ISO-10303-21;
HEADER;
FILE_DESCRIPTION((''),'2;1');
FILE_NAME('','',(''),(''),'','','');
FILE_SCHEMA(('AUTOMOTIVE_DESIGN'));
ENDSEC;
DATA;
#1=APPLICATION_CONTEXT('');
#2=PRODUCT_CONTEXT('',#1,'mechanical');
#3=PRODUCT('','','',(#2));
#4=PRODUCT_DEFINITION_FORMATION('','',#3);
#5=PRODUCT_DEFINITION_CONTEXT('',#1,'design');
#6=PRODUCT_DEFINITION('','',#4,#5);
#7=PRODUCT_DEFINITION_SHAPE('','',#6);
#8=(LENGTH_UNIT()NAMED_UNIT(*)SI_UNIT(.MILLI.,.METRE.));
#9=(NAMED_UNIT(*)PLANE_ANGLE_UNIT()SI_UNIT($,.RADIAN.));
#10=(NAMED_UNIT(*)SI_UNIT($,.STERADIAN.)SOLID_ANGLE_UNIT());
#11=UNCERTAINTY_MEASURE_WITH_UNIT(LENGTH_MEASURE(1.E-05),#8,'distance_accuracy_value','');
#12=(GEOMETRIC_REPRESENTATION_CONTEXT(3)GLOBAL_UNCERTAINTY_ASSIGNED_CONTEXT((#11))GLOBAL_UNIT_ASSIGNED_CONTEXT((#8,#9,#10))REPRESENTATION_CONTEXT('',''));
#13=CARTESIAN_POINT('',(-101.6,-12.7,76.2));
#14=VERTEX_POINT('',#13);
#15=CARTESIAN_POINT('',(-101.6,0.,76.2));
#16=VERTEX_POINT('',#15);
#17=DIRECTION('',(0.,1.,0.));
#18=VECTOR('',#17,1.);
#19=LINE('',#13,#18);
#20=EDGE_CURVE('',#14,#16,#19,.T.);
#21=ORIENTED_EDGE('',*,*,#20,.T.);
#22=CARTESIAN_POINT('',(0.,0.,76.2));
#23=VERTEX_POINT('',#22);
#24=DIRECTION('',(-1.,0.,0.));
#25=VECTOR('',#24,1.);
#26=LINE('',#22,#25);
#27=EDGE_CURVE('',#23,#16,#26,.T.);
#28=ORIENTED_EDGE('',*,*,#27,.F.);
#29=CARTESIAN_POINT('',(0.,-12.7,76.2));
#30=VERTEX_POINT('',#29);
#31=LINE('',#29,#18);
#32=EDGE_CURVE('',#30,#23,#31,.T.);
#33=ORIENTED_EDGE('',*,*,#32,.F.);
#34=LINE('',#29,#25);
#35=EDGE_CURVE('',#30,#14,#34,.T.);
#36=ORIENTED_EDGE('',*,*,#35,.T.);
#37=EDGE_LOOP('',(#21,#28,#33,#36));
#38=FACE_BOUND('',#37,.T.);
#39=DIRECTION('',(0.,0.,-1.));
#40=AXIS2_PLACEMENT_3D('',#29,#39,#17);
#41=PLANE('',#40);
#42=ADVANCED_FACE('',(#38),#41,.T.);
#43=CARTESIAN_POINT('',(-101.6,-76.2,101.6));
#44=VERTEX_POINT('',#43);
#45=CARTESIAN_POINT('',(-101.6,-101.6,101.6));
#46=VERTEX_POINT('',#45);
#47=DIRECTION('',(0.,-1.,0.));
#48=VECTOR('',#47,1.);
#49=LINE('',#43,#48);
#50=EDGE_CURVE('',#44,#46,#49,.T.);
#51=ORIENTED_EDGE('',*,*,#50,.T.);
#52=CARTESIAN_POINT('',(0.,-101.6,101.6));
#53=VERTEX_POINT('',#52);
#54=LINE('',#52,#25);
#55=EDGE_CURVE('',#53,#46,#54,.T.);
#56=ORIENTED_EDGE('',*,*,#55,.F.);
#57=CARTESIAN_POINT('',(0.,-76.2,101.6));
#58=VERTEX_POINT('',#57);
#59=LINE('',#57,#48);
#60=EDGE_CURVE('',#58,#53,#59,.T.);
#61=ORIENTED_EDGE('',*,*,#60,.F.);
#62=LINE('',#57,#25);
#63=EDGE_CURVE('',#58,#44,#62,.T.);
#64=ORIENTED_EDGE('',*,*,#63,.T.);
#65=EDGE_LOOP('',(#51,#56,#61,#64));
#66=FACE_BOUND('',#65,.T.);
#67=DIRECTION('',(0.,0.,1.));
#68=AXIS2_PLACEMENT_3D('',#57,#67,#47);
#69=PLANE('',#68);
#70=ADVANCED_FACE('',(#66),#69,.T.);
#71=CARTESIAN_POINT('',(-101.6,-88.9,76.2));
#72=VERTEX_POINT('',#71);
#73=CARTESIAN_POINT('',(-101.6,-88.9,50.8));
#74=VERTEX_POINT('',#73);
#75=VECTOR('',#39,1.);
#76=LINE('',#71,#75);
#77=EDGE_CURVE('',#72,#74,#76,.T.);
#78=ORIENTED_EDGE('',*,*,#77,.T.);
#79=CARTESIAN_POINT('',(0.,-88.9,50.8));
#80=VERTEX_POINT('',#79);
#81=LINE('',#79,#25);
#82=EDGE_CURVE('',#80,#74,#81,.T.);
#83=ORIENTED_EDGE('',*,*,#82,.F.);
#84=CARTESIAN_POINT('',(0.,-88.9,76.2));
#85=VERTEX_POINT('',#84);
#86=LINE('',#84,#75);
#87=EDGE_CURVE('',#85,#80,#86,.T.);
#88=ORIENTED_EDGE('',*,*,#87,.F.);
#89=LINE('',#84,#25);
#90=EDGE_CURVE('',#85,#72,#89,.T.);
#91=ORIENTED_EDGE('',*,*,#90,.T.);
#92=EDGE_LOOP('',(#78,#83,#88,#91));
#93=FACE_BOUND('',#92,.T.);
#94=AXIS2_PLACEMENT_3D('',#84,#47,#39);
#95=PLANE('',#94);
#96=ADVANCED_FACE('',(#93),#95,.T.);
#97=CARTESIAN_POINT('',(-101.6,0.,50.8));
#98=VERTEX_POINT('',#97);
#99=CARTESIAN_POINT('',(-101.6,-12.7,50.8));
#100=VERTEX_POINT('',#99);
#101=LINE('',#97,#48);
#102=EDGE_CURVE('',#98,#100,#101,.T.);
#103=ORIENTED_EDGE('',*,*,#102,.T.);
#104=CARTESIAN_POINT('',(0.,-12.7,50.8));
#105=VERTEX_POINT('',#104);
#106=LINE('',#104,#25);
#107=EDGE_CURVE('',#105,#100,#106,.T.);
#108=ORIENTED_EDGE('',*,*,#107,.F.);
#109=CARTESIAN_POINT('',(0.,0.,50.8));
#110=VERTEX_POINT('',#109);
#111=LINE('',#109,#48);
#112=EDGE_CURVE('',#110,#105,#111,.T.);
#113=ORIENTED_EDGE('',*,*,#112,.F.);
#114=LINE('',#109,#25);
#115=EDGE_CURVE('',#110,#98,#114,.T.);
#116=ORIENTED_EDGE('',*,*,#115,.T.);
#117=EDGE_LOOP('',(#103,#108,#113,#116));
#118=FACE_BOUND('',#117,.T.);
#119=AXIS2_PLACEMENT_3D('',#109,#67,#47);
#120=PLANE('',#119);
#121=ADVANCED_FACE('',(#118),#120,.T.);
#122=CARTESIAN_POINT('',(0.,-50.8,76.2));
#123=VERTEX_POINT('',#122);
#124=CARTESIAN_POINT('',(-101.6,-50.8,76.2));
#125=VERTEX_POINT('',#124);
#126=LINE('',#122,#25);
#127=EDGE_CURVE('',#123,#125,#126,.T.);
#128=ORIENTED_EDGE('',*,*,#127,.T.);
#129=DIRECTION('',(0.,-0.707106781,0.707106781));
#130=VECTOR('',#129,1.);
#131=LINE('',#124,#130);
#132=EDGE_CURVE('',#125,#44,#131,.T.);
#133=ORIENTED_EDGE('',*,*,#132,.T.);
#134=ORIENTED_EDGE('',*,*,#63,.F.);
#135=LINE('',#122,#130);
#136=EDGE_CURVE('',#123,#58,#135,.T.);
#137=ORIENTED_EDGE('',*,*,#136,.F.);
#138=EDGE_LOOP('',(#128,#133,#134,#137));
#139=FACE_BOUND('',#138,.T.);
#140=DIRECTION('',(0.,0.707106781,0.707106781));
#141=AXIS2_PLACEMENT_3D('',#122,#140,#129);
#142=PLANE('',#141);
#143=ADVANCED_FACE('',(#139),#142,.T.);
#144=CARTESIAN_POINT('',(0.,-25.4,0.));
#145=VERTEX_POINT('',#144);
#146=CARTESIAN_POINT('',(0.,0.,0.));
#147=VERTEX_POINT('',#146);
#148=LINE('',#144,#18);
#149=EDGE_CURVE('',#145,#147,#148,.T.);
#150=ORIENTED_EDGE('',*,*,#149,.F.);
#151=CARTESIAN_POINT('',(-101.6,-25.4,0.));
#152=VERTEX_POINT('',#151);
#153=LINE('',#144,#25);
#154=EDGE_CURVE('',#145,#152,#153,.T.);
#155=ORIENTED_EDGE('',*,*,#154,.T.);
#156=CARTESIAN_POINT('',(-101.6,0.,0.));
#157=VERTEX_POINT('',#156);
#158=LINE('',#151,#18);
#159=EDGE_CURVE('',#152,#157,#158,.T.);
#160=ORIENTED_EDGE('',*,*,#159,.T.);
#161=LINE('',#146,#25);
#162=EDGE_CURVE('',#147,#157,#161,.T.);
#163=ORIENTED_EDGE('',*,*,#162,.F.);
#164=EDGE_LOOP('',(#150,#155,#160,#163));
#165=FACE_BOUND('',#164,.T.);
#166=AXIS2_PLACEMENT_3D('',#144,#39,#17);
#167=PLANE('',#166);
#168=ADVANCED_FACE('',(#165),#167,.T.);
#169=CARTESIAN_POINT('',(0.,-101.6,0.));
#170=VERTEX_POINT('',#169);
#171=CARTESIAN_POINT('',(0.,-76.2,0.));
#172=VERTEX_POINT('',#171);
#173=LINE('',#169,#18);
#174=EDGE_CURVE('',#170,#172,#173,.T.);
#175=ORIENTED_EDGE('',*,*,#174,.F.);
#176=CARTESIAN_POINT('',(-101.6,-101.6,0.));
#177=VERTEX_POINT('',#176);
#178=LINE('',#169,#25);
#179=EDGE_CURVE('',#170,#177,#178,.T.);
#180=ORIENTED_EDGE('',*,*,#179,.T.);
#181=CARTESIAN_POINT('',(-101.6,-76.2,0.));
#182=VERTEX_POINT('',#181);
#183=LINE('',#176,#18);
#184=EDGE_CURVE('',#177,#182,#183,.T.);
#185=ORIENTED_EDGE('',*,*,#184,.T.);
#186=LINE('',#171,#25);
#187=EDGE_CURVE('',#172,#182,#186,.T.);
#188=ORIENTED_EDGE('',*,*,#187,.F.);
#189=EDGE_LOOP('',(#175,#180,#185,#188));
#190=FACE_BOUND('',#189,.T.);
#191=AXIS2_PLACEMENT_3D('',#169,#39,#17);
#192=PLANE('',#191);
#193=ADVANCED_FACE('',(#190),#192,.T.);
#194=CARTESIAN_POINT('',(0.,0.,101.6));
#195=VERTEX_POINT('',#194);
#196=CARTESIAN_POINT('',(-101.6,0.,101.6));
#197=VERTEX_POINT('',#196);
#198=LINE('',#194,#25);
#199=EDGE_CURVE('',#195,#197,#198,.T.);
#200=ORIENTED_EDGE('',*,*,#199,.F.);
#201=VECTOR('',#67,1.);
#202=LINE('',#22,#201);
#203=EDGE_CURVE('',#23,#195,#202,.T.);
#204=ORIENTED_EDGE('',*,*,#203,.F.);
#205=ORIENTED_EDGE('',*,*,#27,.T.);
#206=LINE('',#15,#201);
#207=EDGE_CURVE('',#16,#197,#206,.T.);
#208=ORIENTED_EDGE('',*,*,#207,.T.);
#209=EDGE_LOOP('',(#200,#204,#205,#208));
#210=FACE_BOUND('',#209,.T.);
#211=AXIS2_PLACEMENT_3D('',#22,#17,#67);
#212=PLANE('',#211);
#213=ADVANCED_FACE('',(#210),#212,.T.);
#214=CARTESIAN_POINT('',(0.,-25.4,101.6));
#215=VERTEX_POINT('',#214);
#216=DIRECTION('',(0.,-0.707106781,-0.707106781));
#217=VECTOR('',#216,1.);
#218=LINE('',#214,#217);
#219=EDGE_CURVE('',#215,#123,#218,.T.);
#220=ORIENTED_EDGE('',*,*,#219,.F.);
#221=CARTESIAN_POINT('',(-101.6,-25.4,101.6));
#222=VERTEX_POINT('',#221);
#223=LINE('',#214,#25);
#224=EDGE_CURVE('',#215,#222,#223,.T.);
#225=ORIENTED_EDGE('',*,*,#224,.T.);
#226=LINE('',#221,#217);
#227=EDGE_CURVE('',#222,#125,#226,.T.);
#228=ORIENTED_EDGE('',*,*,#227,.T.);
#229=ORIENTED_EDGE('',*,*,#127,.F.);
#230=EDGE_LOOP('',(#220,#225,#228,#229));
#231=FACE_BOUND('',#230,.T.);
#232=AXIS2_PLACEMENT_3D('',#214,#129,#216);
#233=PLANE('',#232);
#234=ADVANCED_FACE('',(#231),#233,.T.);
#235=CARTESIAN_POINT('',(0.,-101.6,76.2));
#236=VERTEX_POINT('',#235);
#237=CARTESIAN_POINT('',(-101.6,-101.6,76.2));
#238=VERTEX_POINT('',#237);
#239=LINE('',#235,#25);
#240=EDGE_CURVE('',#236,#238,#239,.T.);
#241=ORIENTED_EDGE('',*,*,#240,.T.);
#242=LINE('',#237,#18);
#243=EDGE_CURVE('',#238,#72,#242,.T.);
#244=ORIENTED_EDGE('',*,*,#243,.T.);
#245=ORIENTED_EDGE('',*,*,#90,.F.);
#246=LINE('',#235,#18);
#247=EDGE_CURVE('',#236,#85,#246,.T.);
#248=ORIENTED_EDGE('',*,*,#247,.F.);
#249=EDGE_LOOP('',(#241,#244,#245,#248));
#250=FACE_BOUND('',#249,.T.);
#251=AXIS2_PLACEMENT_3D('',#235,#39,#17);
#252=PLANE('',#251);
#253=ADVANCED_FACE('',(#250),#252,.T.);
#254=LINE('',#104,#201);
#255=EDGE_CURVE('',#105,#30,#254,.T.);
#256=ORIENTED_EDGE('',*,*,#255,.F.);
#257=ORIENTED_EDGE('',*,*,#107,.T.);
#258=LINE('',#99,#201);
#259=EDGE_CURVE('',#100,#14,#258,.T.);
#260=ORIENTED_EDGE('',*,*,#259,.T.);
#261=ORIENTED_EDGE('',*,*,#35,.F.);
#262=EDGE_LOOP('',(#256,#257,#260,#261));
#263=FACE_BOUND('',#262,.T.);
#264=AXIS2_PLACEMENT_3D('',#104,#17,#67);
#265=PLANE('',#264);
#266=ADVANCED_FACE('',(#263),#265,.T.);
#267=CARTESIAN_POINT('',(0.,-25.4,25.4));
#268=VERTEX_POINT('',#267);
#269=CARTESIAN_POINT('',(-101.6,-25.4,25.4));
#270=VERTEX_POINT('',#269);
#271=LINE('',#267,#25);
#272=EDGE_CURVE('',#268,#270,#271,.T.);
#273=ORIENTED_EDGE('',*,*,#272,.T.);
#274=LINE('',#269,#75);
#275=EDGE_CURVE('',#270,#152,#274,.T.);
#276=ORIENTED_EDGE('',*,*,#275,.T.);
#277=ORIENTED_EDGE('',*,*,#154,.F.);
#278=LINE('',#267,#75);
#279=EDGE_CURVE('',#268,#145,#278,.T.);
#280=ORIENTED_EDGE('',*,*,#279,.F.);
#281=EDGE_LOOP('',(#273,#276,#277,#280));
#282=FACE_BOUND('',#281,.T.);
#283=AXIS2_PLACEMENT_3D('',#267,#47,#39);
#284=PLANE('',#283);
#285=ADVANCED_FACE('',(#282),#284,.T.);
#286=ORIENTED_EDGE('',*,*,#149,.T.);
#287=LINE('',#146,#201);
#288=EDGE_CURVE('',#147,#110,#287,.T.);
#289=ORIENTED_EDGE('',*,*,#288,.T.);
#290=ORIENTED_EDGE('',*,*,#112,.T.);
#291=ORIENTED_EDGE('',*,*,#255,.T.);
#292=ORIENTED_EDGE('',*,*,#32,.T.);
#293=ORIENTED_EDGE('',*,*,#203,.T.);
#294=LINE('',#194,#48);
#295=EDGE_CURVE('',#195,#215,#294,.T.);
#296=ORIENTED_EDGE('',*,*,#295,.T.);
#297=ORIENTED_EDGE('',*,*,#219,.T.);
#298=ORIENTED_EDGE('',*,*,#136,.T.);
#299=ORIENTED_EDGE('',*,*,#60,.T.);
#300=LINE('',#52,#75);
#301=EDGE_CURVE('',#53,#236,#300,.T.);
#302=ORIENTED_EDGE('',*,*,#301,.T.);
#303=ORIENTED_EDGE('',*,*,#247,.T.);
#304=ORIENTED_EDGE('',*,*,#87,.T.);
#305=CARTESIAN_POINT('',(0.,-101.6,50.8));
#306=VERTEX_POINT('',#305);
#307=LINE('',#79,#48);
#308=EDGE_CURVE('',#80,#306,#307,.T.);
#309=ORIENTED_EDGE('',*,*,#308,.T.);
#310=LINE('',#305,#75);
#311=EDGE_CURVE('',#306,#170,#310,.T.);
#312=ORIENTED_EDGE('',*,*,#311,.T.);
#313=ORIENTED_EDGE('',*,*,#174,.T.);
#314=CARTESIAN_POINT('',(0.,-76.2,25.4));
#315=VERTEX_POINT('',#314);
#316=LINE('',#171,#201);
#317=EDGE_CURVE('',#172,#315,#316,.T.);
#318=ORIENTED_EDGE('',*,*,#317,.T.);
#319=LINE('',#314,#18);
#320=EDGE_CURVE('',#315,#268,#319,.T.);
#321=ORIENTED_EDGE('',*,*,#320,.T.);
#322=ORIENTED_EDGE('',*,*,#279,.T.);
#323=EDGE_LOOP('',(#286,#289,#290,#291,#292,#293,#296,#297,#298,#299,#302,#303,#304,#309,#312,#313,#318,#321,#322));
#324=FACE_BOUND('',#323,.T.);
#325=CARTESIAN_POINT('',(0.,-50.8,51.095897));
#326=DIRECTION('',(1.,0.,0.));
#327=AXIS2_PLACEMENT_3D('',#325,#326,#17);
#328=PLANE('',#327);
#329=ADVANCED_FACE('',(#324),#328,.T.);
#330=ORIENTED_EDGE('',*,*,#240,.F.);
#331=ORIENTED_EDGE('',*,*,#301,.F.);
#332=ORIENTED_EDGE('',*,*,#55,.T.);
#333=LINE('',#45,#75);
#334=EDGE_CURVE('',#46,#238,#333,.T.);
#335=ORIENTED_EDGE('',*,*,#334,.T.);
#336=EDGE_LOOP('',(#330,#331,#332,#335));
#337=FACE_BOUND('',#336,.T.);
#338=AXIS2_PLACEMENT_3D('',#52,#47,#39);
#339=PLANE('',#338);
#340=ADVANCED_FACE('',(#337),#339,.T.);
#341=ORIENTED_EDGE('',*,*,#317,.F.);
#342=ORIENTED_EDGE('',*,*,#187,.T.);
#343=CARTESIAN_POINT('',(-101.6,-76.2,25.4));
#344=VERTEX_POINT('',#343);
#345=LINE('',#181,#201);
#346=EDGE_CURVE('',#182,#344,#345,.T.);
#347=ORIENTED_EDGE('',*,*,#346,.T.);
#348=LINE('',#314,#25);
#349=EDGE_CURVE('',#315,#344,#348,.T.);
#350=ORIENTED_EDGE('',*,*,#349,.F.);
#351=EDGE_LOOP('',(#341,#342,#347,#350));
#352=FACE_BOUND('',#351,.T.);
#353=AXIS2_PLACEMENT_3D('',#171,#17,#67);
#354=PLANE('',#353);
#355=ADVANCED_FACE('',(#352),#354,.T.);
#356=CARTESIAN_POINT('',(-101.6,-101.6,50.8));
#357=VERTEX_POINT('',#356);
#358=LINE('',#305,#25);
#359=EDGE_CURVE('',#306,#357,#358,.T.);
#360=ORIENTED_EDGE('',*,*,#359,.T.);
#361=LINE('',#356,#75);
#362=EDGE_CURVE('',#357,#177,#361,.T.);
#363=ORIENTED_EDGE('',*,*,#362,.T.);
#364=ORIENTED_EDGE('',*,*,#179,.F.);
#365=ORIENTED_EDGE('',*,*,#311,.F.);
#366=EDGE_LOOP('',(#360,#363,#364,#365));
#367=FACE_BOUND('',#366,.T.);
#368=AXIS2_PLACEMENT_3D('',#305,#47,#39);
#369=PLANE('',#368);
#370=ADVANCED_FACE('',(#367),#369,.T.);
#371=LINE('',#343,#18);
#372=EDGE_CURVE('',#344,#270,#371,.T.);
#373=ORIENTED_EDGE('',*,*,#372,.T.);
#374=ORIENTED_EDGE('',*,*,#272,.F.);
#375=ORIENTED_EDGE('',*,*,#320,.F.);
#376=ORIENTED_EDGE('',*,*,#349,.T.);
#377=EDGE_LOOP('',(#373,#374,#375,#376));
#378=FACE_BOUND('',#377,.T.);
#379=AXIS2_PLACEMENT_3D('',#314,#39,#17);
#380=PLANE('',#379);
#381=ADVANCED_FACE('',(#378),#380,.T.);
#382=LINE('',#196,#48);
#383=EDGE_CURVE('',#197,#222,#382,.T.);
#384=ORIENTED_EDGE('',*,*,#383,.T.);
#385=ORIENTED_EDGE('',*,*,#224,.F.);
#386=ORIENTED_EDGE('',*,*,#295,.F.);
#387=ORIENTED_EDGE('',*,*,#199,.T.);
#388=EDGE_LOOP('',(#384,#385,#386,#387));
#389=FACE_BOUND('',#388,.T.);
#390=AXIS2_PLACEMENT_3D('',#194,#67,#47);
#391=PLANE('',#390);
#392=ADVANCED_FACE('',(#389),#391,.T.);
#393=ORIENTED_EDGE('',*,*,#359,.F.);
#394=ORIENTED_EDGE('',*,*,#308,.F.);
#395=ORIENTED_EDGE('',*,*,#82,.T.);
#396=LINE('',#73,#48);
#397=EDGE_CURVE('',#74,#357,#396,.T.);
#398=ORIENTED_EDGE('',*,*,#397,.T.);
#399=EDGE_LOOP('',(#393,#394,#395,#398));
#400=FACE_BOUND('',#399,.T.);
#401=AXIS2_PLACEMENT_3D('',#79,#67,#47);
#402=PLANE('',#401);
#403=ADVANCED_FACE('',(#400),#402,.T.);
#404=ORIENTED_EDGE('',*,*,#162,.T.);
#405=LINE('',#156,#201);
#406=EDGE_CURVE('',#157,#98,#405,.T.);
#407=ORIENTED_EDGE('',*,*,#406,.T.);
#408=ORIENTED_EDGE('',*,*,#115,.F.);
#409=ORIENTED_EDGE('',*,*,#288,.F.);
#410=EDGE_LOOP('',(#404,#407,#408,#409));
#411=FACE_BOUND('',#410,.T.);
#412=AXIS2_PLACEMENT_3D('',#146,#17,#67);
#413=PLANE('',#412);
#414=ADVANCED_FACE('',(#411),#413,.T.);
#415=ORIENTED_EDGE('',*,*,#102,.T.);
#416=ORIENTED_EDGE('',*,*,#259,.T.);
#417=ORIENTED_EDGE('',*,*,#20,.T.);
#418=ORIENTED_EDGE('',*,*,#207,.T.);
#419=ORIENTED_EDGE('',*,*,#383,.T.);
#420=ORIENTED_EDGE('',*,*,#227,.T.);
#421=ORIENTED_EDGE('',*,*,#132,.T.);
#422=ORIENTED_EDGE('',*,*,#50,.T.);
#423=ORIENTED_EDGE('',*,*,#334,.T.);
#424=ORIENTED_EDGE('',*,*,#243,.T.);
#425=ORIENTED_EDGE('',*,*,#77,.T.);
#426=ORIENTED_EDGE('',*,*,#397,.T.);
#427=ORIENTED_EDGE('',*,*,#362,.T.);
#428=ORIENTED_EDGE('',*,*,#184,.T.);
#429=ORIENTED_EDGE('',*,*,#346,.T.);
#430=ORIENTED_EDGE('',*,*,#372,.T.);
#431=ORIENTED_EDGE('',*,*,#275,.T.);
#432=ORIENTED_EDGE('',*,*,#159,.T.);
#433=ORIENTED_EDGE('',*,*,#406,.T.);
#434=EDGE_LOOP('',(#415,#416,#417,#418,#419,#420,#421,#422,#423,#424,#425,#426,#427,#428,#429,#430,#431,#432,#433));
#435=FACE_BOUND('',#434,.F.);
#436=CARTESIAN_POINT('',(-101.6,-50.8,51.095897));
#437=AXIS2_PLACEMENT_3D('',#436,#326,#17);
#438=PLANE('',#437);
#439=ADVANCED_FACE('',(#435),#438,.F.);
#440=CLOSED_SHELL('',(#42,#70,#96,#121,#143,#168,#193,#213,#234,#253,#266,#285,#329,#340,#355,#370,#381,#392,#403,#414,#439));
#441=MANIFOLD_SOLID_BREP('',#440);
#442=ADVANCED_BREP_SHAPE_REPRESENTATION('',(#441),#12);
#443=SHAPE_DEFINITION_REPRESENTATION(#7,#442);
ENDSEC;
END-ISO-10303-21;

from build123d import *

# Parameters (mm, degrees)
F1_DEPTH = 101.6


with BuildPart() as f1:
    # F0 (on Right) → F1 (new body)
    with BuildSketch(Plane.YZ):
        Polygon((-25.4, 0), (0, 0), (0, 50.8), (-12.7, 50.8), (-12.7, 76.2), (0, 76.2), (0, 101.6), (-25.4, 101.6), (-50.8, 76.2), (-76.2, 101.6), (-101.6, 101.6), (-101.6, 76.2), (-88.9, 76.2), (-88.9, 50.8), (-101.6, 50.8), (-101.6, 0), (-76.2, 0), (-76.2, 25.4), (-25.4, 25.4), align=None)
    extrude(amount=-F1_DEPTH)


solid = f1.part
